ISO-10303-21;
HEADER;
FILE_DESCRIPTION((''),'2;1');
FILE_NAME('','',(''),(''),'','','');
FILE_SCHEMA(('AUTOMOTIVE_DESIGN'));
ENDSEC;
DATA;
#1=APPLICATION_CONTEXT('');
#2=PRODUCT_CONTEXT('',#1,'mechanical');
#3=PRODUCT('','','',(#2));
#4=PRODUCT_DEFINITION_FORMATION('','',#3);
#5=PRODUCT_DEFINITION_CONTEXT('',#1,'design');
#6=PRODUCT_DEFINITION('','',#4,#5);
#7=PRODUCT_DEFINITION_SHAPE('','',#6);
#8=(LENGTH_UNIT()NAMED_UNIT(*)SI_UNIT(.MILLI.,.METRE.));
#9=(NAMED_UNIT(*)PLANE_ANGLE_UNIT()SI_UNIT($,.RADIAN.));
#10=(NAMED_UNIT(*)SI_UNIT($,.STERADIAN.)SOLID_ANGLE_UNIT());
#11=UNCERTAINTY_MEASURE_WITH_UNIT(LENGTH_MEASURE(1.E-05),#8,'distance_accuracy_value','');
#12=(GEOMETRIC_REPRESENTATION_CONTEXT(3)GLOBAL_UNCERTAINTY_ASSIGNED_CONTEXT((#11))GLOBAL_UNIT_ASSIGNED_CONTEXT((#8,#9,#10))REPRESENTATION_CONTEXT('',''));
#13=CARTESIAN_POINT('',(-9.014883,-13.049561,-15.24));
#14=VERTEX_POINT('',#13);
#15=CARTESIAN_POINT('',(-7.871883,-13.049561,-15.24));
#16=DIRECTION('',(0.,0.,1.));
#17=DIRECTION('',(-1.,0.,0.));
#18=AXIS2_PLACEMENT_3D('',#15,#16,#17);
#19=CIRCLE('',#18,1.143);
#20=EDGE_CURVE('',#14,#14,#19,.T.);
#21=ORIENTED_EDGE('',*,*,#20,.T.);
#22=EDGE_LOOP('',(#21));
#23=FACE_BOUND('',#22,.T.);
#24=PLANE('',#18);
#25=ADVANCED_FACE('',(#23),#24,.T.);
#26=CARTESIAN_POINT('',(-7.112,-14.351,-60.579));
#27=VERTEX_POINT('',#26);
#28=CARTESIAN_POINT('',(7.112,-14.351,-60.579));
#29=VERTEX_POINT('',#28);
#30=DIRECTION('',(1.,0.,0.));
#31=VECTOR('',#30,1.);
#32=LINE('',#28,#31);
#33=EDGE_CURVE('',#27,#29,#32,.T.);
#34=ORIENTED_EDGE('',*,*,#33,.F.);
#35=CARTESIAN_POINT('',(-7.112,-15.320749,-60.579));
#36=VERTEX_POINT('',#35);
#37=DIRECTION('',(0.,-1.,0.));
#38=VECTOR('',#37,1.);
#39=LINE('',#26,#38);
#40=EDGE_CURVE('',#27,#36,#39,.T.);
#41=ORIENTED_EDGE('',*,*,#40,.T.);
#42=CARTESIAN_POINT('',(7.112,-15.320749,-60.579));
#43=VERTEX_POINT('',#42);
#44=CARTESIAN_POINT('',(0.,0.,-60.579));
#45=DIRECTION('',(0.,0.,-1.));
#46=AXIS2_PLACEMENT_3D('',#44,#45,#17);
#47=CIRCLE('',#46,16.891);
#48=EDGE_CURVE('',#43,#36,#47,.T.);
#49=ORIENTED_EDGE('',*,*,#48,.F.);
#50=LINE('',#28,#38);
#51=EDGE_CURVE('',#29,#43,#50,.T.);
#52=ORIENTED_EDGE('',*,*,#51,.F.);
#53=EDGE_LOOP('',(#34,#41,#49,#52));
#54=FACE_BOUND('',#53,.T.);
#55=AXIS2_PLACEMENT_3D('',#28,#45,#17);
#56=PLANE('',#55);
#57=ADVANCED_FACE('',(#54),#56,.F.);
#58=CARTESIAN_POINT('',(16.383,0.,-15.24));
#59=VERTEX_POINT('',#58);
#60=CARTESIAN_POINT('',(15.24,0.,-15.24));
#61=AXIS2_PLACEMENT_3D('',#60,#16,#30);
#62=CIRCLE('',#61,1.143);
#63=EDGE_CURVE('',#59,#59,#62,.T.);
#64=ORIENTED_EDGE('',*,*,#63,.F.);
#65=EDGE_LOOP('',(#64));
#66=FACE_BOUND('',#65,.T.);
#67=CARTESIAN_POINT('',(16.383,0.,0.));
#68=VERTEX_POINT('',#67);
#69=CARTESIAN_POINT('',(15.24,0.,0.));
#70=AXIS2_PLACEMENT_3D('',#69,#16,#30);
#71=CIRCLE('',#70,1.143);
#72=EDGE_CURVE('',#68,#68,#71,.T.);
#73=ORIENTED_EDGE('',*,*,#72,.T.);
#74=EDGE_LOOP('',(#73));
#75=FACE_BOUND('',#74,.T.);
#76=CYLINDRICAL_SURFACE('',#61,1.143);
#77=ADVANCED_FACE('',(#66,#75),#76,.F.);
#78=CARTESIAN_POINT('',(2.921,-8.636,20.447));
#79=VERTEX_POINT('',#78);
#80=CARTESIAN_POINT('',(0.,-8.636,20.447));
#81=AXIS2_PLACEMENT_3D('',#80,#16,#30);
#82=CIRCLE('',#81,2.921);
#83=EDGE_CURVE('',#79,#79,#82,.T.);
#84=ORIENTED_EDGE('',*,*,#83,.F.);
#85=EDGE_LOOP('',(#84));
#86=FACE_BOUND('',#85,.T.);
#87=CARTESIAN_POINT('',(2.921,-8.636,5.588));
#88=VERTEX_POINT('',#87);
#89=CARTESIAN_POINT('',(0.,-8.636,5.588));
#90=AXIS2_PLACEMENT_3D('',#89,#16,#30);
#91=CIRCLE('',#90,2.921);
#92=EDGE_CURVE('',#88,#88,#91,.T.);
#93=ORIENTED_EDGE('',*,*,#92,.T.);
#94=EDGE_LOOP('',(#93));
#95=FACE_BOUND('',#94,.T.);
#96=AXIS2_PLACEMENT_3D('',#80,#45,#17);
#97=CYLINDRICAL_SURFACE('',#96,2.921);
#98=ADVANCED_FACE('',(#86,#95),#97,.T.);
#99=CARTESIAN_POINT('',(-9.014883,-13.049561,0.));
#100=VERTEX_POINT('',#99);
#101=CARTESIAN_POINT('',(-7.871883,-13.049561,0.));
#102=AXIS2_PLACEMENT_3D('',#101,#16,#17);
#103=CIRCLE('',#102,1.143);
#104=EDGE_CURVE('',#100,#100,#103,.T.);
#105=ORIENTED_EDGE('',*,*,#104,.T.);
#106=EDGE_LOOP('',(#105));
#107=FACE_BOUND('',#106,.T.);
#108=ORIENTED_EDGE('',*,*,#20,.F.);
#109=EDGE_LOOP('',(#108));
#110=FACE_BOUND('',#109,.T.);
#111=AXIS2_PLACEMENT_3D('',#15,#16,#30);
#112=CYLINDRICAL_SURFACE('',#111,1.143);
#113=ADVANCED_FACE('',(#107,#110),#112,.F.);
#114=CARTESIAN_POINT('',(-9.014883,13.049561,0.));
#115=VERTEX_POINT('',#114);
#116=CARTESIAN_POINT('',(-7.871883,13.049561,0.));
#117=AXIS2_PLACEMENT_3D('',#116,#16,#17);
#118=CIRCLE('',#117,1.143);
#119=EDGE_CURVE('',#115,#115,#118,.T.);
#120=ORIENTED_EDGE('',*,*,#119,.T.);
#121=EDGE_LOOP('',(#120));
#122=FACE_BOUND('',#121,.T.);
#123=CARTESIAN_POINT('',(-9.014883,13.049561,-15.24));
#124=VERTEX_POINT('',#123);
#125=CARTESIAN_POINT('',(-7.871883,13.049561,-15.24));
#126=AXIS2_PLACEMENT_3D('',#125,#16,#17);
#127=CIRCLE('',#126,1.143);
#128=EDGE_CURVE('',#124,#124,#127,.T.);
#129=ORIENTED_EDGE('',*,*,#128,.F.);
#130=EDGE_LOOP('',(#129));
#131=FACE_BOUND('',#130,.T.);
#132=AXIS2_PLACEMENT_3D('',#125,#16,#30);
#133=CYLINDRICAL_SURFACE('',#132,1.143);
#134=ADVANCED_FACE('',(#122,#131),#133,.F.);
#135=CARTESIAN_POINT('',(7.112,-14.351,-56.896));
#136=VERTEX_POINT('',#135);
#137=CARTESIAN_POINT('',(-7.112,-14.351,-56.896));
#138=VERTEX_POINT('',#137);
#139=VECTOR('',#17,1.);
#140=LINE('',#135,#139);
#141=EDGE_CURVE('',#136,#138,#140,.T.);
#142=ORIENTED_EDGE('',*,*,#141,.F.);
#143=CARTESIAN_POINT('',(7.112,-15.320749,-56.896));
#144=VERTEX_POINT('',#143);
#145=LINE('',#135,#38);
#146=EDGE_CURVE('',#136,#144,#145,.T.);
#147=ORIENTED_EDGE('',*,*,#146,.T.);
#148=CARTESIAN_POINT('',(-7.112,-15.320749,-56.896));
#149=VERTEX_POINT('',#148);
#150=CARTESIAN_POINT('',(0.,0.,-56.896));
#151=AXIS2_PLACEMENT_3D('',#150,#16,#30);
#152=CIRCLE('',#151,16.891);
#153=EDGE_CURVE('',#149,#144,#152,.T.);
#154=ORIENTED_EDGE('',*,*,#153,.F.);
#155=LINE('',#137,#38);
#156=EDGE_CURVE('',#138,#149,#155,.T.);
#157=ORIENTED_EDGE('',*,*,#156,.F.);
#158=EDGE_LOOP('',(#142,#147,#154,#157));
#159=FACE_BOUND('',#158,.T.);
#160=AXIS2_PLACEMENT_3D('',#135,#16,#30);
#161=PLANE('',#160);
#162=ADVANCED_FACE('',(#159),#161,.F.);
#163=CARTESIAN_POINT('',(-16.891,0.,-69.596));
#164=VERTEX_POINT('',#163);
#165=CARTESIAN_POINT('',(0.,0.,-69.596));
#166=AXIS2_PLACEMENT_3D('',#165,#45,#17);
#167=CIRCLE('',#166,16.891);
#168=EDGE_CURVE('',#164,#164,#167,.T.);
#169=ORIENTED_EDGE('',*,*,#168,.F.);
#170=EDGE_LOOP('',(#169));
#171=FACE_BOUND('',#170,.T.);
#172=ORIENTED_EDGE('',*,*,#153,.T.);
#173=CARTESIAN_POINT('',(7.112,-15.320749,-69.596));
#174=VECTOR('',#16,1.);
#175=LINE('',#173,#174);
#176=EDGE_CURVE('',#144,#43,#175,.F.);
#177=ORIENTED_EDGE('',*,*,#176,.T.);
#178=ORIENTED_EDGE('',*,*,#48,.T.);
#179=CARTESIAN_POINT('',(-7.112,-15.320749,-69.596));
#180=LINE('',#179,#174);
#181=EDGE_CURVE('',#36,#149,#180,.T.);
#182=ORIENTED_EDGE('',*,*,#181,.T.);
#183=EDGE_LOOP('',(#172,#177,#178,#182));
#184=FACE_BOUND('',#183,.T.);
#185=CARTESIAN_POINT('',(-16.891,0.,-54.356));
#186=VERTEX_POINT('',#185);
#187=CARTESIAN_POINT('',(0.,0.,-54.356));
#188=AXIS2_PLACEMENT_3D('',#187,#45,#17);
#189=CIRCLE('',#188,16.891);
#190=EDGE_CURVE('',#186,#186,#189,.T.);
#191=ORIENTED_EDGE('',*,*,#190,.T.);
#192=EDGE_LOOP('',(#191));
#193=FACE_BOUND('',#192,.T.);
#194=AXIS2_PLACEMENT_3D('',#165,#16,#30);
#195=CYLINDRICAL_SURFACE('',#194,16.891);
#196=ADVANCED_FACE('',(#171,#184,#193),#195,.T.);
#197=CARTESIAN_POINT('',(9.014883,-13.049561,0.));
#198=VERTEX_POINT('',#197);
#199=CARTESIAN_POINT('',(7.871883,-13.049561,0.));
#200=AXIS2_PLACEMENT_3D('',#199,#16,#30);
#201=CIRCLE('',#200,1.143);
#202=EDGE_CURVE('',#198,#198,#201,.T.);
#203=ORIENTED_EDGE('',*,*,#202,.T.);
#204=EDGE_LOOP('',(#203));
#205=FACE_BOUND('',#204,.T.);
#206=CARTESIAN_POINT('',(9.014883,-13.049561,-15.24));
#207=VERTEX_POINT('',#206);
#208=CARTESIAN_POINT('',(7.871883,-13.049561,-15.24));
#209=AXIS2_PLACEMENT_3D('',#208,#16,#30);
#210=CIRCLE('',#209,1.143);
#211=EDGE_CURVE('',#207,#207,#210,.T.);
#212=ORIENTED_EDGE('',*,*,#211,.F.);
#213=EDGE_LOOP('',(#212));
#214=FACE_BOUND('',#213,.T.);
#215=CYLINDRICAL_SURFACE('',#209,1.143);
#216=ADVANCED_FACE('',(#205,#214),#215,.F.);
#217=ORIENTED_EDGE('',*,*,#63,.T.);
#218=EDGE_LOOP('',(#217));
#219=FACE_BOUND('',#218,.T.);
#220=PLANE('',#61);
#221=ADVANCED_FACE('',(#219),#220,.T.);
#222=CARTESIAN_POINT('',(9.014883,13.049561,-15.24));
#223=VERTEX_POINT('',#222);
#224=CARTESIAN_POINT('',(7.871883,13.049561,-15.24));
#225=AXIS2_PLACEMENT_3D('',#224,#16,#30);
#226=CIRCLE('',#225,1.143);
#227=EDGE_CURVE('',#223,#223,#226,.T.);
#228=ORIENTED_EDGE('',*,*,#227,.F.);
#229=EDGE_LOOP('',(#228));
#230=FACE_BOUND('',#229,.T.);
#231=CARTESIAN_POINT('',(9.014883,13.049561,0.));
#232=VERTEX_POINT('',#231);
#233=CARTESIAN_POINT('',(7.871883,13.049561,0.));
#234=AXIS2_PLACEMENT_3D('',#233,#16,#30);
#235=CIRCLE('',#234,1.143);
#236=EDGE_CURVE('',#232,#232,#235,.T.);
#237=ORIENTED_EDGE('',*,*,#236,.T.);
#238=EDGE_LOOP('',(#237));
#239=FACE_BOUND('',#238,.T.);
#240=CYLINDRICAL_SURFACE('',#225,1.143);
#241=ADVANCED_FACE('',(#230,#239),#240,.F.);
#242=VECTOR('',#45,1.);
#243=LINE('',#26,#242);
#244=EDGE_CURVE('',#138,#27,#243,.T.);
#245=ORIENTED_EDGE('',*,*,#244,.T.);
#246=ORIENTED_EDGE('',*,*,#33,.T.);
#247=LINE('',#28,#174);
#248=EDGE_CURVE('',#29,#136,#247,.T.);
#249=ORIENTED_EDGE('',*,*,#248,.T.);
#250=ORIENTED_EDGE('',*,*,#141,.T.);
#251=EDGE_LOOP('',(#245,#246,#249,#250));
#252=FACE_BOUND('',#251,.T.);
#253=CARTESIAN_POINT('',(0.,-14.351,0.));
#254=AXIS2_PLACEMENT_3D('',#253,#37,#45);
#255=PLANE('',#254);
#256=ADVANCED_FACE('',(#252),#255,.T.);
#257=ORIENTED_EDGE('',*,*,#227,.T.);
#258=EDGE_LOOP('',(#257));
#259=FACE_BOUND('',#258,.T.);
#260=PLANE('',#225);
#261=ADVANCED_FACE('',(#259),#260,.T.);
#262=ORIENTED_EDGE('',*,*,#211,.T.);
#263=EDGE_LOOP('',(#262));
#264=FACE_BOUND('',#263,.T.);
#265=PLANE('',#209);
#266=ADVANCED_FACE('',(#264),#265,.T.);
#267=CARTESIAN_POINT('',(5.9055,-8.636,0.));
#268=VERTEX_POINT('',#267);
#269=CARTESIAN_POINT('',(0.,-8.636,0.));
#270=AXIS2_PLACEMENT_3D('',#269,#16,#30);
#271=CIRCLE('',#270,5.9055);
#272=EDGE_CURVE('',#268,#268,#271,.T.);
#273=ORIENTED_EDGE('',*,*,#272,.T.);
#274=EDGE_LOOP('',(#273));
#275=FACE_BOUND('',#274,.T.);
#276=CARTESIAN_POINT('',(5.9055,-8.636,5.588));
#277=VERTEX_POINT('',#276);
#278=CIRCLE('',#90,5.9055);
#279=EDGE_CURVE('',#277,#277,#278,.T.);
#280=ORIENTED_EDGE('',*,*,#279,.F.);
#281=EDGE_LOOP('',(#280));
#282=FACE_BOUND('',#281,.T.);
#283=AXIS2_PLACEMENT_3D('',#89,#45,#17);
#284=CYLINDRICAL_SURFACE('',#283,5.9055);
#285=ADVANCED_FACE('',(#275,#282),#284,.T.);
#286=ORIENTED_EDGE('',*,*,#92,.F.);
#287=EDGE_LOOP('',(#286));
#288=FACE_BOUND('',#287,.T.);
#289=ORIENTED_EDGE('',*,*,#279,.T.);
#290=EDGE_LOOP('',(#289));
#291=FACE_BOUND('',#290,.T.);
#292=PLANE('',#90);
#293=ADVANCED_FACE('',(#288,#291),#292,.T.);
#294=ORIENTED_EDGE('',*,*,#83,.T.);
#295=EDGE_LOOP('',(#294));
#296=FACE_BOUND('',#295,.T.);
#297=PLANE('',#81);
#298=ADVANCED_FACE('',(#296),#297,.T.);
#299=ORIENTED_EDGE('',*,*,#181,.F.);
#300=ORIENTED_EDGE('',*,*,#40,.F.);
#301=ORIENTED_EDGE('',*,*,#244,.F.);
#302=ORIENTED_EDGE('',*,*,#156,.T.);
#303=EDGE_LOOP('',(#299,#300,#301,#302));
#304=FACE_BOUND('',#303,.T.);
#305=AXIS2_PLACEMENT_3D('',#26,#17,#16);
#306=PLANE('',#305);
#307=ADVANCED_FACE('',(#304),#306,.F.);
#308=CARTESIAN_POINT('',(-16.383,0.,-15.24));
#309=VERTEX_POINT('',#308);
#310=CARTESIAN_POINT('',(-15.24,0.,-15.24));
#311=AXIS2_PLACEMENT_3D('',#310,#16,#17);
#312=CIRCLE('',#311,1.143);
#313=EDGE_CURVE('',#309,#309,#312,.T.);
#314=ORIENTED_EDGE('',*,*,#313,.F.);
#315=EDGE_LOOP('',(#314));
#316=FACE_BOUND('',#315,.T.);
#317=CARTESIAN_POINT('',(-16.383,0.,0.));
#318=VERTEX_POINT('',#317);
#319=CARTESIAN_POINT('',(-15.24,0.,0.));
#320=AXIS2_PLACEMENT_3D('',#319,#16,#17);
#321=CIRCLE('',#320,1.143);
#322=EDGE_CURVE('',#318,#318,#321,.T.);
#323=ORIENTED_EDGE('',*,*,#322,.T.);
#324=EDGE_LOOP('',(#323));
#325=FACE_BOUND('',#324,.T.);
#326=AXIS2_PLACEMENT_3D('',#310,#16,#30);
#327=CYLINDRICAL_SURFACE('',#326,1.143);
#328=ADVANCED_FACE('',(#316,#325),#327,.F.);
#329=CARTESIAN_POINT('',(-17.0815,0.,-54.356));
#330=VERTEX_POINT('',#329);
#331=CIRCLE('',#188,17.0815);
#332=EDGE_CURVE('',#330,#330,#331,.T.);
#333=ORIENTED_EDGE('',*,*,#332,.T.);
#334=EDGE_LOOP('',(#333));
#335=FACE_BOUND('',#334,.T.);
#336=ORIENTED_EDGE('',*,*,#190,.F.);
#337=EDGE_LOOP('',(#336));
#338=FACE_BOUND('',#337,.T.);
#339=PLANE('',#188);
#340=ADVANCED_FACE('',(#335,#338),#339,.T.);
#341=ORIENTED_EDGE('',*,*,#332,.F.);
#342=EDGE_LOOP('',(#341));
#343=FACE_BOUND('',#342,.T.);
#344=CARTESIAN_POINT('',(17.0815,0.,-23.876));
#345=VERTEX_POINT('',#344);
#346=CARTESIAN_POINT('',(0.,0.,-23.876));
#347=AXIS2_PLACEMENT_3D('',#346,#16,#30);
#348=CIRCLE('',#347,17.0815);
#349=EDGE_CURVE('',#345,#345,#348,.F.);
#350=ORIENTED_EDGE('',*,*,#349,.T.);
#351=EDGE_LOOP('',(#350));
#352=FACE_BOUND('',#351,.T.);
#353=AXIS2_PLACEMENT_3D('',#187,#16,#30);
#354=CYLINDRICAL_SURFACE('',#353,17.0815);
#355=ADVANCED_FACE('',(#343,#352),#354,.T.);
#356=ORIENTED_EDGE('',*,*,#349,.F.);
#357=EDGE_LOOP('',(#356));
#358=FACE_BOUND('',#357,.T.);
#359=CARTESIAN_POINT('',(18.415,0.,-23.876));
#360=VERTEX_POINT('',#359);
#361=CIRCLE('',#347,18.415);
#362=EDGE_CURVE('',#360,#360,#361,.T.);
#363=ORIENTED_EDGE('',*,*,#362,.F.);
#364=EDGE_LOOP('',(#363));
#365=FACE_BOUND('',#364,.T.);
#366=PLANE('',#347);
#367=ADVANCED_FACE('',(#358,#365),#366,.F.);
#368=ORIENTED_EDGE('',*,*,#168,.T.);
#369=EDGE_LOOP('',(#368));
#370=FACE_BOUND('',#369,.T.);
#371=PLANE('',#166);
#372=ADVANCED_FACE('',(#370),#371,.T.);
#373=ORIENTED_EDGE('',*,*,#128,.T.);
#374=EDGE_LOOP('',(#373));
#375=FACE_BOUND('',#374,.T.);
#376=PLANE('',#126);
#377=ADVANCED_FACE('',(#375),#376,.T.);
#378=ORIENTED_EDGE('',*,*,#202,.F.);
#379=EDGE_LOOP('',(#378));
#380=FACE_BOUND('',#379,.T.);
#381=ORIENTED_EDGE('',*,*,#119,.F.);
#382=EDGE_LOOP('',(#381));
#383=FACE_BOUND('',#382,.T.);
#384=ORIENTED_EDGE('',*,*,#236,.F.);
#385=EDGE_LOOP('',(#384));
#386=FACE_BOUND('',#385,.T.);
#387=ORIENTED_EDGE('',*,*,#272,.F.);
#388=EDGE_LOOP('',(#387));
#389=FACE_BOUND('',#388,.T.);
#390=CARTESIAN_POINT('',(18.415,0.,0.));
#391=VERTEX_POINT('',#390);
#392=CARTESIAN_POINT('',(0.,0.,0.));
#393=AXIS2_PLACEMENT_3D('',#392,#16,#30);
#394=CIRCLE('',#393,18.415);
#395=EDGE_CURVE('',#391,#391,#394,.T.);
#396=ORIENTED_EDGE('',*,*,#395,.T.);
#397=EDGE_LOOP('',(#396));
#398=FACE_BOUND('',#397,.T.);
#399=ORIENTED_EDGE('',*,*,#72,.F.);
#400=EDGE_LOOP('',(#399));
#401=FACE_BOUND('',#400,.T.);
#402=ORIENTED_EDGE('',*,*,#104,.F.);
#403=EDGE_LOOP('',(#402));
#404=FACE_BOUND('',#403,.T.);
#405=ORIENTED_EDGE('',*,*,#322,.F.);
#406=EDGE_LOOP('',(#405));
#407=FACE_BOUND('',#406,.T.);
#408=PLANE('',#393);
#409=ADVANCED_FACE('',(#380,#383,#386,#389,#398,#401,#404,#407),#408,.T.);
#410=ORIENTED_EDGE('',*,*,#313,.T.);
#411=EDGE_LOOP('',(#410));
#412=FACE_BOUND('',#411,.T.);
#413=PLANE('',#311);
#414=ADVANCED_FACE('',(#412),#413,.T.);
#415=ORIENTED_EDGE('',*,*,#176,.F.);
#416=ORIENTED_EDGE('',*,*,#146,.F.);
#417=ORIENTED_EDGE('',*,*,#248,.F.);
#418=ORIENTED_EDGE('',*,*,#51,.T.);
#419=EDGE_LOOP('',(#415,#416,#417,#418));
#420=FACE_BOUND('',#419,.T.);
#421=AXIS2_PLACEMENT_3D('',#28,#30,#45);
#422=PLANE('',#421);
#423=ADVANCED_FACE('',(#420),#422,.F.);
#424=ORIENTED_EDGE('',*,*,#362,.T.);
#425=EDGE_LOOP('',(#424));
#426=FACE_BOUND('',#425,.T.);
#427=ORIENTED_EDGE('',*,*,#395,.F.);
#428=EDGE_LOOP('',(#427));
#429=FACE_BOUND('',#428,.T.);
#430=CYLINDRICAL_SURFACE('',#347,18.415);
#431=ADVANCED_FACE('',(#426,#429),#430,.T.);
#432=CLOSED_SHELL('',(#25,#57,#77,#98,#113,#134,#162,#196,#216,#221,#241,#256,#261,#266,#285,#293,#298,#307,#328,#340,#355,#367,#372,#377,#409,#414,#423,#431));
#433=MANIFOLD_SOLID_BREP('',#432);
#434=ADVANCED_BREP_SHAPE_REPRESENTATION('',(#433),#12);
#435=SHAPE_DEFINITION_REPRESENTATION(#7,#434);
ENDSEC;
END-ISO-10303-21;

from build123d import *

# Parameters (mm, degrees)
SKETCH1_R           = 18.415
BOSS_EXTRUDE1_DEPTH = 23.876
SKETCH2_R           = 5.9055
BOSS_EXTRUDE2_DEPTH = 5.588
SKETCH3_R           = 2.921
BOSS_EXTRUDE3_DEPTH = 14.859
SKETCH4_R           = 17.0815
BOSS_EXTRUDE4_DEPTH = 30.48
SKETCH5_R           = 16.891
BOSS_EXTRUDE5_DEPTH = 15.24
SKETCH6_R           = 1.143
CUT_EXTRUDE1_DEPTH  = 15.24
CIRPATTERN1_COUNT   = 2
SKETCH8_W           = 14.224
SKETCH8_H           = 3.683
CUT_EXTRUDE2_DEPTH  = 2.54


with BuildPart() as part:
    # Sketch1 → Boss-Extrude1 (new body)
    with BuildSketch(Plane.XY):
        Circle(SKETCH1_R)
    extrude(amount=-BOSS_EXTRUDE1_DEPTH)

    # Sketch2 → Boss-Extrude2 (add)
    with BuildSketch(Plane.XY):
        with Locations((0, -8.636)):
            Circle(SKETCH2_R)
    extrude(amount=BOSS_EXTRUDE2_DEPTH)

    # Sketch3 → Boss-Extrude3 (add)
    with BuildSketch(Plane.XY.offset(5.588)):
        with Locations((0, -8.636)):
            Circle(SKETCH3_R)
    extrude(amount=BOSS_EXTRUDE3_DEPTH)

    # Sketch4 → Boss-Extrude4 (add)
    with BuildSketch(Plane(origin=(0, 0, -23.876), x_dir=(-1, 0, 0), z_dir=(0, 0, -1))):
        Circle(SKETCH4_R)
    extrude(amount=BOSS_EXTRUDE4_DEPTH)

    # Sketch5 → Boss-Extrude5 (add)
    with BuildSketch(Plane(origin=(0, 0, -54.356), x_dir=(-1, 0, 0), z_dir=(0, 0, -1))):
        Circle(SKETCH5_R)
    extrude(amount=BOSS_EXTRUDE5_DEPTH)

    # Sketch6 → Cut-Extrude1 (cut)
    with BuildSketch(Plane.XY):
        with Locations((7.871883333, -13.049561402)):
            Circle(SKETCH6_R)
        with Locations((15.24, 0)):
            Circle(SKETCH6_R)
        with Locations((7.871883333, 13.049561402)):
            Circle(SKETCH6_R)
    cut_extrude1 = extrude(amount=-CUT_EXTRUDE1_DEPTH, mode=Mode.SUBTRACT)

    # CirPattern1: Cut-Extrude1 ×2 about axis
    cirpattern1_axis = Axis((0, 0, 0), (0, 0, 1))
    for i in range(1, CIRPATTERN1_COUNT):
        add(cut_extrude1.rotate(cirpattern1_axis, i * 360 / CIRPATTERN1_COUNT), mode=Mode.SUBTRACT)

    # Sketch8 → Cut-Extrude2 (cut)
    with BuildSketch(Plane(origin=(0, -16.891, 0), x_dir=(-1, 0, 0), z_dir=(0, -1, 0))):
        with Locations((0, 58.7375)):
            Rectangle(SKETCH8_W, SKETCH8_H)
    extrude(amount=-CUT_EXTRUDE2_DEPTH, mode=Mode.SUBTRACT)


solid = part.part
